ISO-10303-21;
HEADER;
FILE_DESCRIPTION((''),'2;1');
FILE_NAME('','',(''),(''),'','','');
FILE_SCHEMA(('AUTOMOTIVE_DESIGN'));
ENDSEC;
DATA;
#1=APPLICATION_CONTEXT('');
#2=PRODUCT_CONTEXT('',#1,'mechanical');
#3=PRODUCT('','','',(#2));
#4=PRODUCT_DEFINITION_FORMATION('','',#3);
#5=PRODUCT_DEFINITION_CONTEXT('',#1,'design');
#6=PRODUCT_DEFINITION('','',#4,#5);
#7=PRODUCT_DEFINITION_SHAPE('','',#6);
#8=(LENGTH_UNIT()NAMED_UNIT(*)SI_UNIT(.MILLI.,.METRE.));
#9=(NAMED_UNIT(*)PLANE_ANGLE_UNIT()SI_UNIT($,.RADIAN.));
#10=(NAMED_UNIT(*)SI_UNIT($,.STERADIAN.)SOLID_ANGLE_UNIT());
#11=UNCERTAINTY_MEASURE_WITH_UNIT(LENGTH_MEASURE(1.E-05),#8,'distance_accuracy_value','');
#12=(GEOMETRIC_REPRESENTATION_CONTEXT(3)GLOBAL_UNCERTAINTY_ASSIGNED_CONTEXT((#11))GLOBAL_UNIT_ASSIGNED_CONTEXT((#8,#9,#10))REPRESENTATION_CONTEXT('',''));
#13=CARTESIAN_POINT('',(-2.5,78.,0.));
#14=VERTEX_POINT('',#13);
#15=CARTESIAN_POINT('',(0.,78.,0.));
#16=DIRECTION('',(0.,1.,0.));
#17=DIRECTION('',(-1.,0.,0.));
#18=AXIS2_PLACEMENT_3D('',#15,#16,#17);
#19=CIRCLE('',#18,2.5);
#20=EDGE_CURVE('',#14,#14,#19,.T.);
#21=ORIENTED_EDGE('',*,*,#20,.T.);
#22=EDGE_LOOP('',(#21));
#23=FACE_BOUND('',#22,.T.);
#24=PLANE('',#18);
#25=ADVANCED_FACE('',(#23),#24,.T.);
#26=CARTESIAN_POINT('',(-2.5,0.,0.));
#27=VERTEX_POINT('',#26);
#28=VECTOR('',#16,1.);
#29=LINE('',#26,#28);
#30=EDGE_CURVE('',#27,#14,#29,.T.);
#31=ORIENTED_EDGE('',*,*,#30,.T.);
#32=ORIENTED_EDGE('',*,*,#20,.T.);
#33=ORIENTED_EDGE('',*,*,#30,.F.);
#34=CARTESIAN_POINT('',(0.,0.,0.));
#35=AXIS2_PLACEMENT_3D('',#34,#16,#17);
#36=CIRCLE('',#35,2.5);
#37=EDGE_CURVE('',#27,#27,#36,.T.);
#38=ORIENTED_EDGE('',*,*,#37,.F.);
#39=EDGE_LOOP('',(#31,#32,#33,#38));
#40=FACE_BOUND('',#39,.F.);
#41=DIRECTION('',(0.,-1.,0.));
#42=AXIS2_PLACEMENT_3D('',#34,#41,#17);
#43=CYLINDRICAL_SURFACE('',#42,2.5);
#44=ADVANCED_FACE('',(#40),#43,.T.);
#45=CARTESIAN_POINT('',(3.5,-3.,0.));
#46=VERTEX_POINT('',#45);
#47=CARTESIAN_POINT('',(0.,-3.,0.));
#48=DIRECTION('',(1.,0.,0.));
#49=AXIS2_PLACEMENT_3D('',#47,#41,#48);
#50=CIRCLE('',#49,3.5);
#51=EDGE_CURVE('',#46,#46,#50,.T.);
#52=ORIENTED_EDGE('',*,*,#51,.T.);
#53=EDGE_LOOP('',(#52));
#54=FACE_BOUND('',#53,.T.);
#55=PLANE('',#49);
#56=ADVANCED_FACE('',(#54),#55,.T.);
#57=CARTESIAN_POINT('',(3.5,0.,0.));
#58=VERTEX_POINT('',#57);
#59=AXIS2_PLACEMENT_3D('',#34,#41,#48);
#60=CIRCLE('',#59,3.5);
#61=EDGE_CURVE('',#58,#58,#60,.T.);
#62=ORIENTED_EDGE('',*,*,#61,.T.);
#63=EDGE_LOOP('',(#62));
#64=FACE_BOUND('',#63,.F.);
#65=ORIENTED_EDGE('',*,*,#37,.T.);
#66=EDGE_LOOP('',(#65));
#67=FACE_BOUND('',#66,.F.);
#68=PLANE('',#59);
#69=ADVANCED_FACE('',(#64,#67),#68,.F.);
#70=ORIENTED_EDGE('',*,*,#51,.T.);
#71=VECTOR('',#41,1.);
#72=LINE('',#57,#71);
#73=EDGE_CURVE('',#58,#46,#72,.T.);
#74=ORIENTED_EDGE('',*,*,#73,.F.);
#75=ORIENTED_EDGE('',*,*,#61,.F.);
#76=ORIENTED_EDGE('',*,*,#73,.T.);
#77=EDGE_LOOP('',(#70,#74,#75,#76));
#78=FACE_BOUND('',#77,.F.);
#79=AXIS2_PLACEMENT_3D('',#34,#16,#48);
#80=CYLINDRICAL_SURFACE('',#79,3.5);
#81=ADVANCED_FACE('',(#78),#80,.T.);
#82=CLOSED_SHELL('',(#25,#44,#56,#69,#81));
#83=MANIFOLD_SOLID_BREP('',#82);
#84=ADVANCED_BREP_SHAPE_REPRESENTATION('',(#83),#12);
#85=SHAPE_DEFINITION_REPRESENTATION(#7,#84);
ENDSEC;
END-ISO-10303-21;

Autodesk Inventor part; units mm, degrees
ref_plane "YZ Plane" through (0, 0, 0) normal (1, 0, 0) x (0, 1, 0)
ref_plane "XZ Plane" through (0, 0, 0) normal (0, 1, 0) x (-1, 0, 0)
ref_plane "XY Plane" through (0, 0, 0) normal (0, 0, 1) x (1, 0, 0)
sketch "Boceto1" plane through (0, 0, 0) normal (0, 1, 0) x (-1, 0, 0)
  circle A0 centre (0, 0) radius 2.5
extrude "Extrusión1" add sketch "Boceto1" along normal blind 78
sketch "Boceto2" plane through (0, 0, 0) normal (0, -1, 0) x (1, 0, 0)
  circle A0 centre (0, 0) radius 3.5
  dimension "d3" = 7
extrude "Extrusión2" add sketch "Boceto2" along normal blind 3
properties part number "Tornillo" material "Hierro, gris"
